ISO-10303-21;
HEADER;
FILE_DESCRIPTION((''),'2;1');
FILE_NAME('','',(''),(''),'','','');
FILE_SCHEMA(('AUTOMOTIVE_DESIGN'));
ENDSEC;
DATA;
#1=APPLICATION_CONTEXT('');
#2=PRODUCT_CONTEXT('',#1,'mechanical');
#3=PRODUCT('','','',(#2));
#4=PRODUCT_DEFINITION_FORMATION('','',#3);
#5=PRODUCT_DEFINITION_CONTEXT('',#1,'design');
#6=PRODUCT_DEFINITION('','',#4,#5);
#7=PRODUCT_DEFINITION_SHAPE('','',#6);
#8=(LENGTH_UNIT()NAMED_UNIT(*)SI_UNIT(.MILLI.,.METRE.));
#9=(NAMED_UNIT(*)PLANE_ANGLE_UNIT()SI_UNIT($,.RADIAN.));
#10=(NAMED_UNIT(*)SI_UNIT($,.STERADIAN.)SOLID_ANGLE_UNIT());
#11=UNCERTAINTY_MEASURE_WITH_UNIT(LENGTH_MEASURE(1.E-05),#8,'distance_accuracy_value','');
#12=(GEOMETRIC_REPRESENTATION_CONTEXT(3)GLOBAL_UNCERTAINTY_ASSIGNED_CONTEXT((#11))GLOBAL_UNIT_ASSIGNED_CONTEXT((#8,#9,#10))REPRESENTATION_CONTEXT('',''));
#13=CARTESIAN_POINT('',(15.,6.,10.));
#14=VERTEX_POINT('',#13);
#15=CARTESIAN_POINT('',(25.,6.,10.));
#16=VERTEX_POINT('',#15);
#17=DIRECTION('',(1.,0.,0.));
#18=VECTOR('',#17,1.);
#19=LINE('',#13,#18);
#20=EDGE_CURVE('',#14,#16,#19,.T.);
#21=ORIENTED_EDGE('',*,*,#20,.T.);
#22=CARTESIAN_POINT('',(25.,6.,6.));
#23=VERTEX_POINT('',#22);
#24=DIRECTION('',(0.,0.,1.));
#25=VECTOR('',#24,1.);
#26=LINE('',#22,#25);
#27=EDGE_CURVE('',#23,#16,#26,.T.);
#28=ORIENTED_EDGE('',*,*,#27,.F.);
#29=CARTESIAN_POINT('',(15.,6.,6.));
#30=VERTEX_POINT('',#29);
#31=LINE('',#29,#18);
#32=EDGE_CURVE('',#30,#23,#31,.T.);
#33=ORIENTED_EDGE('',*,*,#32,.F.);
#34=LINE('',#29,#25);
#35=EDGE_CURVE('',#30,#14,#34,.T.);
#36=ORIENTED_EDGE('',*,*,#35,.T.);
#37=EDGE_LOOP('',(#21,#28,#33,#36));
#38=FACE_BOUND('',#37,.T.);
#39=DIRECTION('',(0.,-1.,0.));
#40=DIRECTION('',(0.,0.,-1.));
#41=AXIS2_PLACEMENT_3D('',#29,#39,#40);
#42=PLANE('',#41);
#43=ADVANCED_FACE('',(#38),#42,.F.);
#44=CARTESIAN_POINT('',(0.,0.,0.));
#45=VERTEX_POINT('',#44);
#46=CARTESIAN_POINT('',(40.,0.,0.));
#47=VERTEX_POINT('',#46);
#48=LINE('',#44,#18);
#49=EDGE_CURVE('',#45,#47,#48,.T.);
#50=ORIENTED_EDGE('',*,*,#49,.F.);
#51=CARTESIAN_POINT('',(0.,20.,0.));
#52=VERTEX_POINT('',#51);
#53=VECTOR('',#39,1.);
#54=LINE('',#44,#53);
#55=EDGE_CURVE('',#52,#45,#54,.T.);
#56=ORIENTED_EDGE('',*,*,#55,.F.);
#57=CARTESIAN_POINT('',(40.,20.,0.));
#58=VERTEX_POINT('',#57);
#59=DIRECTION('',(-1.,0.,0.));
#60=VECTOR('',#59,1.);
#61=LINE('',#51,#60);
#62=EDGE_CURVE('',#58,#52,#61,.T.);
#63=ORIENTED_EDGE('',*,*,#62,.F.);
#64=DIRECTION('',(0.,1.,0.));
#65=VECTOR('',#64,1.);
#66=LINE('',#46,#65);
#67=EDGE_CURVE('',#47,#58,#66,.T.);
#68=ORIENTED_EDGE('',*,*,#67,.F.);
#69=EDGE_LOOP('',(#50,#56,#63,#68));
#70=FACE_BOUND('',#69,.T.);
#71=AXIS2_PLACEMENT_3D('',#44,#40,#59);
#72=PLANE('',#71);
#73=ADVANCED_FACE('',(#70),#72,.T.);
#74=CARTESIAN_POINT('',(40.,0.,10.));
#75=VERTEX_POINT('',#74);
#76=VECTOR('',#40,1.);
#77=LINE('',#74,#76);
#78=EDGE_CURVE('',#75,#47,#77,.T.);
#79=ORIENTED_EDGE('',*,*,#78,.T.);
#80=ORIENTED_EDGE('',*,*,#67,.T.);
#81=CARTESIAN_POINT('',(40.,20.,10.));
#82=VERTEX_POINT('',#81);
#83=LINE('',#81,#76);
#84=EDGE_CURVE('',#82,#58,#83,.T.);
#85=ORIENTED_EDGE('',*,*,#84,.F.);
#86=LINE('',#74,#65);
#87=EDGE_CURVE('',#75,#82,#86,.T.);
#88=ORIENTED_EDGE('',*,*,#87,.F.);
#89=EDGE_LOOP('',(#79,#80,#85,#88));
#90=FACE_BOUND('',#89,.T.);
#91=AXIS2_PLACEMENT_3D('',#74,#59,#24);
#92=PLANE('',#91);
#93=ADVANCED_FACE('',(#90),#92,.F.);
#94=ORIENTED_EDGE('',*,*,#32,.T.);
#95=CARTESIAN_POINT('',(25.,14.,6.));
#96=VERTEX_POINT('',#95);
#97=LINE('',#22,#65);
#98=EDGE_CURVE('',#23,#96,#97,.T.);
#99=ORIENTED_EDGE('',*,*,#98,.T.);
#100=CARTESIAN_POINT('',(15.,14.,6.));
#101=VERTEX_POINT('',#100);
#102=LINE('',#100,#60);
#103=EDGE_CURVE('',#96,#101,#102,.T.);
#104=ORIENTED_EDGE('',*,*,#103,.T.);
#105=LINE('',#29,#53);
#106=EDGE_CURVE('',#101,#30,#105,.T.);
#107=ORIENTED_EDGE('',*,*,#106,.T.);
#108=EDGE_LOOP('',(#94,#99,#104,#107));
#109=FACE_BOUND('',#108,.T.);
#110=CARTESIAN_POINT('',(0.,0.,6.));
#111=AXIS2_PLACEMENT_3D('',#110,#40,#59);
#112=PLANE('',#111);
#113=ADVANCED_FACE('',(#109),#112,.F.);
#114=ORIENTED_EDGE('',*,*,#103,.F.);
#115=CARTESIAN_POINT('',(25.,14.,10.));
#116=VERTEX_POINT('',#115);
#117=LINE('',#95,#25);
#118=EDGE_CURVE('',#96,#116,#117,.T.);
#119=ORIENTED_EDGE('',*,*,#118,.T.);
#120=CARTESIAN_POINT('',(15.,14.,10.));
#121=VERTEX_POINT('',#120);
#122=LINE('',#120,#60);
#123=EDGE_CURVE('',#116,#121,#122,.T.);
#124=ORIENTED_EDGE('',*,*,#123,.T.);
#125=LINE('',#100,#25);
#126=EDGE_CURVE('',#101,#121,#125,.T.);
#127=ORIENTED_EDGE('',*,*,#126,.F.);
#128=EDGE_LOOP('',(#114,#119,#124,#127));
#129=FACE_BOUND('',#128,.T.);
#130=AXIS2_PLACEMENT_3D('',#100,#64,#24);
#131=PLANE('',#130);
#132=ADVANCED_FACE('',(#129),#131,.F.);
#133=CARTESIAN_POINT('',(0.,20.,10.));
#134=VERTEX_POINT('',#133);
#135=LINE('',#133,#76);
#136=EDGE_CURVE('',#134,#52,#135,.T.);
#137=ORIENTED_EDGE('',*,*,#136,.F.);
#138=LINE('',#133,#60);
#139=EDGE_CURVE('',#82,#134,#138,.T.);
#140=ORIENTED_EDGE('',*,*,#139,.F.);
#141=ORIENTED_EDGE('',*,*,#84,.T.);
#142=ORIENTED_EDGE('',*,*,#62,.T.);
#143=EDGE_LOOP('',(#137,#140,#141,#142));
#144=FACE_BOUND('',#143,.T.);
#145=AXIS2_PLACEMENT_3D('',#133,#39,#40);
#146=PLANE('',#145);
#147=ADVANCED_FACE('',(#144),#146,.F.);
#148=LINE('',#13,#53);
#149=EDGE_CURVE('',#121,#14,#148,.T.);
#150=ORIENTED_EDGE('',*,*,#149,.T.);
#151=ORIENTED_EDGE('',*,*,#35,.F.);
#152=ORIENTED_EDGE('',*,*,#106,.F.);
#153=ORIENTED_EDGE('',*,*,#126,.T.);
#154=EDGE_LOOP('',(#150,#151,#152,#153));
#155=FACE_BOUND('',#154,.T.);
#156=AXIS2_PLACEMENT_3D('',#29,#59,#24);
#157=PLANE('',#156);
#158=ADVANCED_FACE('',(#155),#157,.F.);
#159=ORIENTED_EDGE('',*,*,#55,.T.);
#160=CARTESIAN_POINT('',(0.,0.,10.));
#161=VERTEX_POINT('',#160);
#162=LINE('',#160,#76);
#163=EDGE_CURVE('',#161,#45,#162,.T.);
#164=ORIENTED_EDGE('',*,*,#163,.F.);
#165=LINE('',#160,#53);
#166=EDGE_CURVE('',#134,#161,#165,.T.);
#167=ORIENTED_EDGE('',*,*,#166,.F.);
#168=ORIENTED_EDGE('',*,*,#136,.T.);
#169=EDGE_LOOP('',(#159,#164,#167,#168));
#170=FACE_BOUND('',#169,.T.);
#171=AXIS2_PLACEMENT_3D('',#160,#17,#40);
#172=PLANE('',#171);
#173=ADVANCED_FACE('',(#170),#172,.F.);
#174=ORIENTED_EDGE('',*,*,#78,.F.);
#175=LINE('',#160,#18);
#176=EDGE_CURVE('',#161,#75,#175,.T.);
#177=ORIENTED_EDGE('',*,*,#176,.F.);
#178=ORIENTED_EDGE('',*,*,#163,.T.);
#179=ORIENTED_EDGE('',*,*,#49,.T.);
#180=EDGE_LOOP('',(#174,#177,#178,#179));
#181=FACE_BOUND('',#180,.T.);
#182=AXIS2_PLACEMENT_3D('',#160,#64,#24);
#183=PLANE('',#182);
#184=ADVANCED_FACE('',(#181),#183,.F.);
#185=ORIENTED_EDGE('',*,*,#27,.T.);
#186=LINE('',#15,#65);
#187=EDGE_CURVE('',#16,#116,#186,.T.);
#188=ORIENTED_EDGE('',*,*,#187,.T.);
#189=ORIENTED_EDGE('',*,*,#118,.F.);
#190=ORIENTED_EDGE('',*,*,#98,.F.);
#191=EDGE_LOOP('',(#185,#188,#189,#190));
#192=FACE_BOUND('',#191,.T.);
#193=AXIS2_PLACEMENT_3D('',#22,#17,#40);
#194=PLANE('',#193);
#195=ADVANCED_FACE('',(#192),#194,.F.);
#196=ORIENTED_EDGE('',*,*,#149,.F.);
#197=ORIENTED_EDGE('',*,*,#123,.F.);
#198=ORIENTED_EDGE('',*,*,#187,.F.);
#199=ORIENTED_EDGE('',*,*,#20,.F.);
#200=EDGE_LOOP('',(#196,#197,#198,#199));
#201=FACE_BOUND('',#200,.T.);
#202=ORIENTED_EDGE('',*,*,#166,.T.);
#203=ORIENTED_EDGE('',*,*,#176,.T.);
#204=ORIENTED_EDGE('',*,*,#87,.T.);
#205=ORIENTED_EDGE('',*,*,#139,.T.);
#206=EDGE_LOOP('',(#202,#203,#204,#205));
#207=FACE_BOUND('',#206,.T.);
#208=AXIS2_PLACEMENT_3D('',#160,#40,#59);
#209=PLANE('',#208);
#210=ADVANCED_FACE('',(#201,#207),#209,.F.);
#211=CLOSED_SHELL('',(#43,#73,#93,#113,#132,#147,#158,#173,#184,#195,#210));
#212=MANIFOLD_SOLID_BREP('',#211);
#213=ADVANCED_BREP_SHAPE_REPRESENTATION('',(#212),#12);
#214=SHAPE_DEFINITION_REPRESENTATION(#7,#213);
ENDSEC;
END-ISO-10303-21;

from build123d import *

# Parameters (mm, degrees)
RECTANGLESKETCH_W = 40
RECTANGLESKETCH_H = 20
BLINDBOSS_DEPTH   = 10
CUTSKETCH_W       = 10
CUTSKETCH_H       = 8
BLINDCUT_DEPTH    = 4


with BuildPart() as part:
    # RectangleSketch → BlindBoss (new body)
    with BuildSketch(Plane.XY):
        with Locations((20, 10)):
            Rectangle(RECTANGLESKETCH_W, RECTANGLESKETCH_H)
    extrude(amount=BLINDBOSS_DEPTH)

    # CutSketch → BlindCut (cut)
    with BuildSketch(Plane.XY.offset(10)):
        with Locations((20, 10)):
            Rectangle(CUTSKETCH_W, CUTSKETCH_H)
    extrude(amount=-BLINDCUT_DEPTH, mode=Mode.SUBTRACT)


solid = part.part
